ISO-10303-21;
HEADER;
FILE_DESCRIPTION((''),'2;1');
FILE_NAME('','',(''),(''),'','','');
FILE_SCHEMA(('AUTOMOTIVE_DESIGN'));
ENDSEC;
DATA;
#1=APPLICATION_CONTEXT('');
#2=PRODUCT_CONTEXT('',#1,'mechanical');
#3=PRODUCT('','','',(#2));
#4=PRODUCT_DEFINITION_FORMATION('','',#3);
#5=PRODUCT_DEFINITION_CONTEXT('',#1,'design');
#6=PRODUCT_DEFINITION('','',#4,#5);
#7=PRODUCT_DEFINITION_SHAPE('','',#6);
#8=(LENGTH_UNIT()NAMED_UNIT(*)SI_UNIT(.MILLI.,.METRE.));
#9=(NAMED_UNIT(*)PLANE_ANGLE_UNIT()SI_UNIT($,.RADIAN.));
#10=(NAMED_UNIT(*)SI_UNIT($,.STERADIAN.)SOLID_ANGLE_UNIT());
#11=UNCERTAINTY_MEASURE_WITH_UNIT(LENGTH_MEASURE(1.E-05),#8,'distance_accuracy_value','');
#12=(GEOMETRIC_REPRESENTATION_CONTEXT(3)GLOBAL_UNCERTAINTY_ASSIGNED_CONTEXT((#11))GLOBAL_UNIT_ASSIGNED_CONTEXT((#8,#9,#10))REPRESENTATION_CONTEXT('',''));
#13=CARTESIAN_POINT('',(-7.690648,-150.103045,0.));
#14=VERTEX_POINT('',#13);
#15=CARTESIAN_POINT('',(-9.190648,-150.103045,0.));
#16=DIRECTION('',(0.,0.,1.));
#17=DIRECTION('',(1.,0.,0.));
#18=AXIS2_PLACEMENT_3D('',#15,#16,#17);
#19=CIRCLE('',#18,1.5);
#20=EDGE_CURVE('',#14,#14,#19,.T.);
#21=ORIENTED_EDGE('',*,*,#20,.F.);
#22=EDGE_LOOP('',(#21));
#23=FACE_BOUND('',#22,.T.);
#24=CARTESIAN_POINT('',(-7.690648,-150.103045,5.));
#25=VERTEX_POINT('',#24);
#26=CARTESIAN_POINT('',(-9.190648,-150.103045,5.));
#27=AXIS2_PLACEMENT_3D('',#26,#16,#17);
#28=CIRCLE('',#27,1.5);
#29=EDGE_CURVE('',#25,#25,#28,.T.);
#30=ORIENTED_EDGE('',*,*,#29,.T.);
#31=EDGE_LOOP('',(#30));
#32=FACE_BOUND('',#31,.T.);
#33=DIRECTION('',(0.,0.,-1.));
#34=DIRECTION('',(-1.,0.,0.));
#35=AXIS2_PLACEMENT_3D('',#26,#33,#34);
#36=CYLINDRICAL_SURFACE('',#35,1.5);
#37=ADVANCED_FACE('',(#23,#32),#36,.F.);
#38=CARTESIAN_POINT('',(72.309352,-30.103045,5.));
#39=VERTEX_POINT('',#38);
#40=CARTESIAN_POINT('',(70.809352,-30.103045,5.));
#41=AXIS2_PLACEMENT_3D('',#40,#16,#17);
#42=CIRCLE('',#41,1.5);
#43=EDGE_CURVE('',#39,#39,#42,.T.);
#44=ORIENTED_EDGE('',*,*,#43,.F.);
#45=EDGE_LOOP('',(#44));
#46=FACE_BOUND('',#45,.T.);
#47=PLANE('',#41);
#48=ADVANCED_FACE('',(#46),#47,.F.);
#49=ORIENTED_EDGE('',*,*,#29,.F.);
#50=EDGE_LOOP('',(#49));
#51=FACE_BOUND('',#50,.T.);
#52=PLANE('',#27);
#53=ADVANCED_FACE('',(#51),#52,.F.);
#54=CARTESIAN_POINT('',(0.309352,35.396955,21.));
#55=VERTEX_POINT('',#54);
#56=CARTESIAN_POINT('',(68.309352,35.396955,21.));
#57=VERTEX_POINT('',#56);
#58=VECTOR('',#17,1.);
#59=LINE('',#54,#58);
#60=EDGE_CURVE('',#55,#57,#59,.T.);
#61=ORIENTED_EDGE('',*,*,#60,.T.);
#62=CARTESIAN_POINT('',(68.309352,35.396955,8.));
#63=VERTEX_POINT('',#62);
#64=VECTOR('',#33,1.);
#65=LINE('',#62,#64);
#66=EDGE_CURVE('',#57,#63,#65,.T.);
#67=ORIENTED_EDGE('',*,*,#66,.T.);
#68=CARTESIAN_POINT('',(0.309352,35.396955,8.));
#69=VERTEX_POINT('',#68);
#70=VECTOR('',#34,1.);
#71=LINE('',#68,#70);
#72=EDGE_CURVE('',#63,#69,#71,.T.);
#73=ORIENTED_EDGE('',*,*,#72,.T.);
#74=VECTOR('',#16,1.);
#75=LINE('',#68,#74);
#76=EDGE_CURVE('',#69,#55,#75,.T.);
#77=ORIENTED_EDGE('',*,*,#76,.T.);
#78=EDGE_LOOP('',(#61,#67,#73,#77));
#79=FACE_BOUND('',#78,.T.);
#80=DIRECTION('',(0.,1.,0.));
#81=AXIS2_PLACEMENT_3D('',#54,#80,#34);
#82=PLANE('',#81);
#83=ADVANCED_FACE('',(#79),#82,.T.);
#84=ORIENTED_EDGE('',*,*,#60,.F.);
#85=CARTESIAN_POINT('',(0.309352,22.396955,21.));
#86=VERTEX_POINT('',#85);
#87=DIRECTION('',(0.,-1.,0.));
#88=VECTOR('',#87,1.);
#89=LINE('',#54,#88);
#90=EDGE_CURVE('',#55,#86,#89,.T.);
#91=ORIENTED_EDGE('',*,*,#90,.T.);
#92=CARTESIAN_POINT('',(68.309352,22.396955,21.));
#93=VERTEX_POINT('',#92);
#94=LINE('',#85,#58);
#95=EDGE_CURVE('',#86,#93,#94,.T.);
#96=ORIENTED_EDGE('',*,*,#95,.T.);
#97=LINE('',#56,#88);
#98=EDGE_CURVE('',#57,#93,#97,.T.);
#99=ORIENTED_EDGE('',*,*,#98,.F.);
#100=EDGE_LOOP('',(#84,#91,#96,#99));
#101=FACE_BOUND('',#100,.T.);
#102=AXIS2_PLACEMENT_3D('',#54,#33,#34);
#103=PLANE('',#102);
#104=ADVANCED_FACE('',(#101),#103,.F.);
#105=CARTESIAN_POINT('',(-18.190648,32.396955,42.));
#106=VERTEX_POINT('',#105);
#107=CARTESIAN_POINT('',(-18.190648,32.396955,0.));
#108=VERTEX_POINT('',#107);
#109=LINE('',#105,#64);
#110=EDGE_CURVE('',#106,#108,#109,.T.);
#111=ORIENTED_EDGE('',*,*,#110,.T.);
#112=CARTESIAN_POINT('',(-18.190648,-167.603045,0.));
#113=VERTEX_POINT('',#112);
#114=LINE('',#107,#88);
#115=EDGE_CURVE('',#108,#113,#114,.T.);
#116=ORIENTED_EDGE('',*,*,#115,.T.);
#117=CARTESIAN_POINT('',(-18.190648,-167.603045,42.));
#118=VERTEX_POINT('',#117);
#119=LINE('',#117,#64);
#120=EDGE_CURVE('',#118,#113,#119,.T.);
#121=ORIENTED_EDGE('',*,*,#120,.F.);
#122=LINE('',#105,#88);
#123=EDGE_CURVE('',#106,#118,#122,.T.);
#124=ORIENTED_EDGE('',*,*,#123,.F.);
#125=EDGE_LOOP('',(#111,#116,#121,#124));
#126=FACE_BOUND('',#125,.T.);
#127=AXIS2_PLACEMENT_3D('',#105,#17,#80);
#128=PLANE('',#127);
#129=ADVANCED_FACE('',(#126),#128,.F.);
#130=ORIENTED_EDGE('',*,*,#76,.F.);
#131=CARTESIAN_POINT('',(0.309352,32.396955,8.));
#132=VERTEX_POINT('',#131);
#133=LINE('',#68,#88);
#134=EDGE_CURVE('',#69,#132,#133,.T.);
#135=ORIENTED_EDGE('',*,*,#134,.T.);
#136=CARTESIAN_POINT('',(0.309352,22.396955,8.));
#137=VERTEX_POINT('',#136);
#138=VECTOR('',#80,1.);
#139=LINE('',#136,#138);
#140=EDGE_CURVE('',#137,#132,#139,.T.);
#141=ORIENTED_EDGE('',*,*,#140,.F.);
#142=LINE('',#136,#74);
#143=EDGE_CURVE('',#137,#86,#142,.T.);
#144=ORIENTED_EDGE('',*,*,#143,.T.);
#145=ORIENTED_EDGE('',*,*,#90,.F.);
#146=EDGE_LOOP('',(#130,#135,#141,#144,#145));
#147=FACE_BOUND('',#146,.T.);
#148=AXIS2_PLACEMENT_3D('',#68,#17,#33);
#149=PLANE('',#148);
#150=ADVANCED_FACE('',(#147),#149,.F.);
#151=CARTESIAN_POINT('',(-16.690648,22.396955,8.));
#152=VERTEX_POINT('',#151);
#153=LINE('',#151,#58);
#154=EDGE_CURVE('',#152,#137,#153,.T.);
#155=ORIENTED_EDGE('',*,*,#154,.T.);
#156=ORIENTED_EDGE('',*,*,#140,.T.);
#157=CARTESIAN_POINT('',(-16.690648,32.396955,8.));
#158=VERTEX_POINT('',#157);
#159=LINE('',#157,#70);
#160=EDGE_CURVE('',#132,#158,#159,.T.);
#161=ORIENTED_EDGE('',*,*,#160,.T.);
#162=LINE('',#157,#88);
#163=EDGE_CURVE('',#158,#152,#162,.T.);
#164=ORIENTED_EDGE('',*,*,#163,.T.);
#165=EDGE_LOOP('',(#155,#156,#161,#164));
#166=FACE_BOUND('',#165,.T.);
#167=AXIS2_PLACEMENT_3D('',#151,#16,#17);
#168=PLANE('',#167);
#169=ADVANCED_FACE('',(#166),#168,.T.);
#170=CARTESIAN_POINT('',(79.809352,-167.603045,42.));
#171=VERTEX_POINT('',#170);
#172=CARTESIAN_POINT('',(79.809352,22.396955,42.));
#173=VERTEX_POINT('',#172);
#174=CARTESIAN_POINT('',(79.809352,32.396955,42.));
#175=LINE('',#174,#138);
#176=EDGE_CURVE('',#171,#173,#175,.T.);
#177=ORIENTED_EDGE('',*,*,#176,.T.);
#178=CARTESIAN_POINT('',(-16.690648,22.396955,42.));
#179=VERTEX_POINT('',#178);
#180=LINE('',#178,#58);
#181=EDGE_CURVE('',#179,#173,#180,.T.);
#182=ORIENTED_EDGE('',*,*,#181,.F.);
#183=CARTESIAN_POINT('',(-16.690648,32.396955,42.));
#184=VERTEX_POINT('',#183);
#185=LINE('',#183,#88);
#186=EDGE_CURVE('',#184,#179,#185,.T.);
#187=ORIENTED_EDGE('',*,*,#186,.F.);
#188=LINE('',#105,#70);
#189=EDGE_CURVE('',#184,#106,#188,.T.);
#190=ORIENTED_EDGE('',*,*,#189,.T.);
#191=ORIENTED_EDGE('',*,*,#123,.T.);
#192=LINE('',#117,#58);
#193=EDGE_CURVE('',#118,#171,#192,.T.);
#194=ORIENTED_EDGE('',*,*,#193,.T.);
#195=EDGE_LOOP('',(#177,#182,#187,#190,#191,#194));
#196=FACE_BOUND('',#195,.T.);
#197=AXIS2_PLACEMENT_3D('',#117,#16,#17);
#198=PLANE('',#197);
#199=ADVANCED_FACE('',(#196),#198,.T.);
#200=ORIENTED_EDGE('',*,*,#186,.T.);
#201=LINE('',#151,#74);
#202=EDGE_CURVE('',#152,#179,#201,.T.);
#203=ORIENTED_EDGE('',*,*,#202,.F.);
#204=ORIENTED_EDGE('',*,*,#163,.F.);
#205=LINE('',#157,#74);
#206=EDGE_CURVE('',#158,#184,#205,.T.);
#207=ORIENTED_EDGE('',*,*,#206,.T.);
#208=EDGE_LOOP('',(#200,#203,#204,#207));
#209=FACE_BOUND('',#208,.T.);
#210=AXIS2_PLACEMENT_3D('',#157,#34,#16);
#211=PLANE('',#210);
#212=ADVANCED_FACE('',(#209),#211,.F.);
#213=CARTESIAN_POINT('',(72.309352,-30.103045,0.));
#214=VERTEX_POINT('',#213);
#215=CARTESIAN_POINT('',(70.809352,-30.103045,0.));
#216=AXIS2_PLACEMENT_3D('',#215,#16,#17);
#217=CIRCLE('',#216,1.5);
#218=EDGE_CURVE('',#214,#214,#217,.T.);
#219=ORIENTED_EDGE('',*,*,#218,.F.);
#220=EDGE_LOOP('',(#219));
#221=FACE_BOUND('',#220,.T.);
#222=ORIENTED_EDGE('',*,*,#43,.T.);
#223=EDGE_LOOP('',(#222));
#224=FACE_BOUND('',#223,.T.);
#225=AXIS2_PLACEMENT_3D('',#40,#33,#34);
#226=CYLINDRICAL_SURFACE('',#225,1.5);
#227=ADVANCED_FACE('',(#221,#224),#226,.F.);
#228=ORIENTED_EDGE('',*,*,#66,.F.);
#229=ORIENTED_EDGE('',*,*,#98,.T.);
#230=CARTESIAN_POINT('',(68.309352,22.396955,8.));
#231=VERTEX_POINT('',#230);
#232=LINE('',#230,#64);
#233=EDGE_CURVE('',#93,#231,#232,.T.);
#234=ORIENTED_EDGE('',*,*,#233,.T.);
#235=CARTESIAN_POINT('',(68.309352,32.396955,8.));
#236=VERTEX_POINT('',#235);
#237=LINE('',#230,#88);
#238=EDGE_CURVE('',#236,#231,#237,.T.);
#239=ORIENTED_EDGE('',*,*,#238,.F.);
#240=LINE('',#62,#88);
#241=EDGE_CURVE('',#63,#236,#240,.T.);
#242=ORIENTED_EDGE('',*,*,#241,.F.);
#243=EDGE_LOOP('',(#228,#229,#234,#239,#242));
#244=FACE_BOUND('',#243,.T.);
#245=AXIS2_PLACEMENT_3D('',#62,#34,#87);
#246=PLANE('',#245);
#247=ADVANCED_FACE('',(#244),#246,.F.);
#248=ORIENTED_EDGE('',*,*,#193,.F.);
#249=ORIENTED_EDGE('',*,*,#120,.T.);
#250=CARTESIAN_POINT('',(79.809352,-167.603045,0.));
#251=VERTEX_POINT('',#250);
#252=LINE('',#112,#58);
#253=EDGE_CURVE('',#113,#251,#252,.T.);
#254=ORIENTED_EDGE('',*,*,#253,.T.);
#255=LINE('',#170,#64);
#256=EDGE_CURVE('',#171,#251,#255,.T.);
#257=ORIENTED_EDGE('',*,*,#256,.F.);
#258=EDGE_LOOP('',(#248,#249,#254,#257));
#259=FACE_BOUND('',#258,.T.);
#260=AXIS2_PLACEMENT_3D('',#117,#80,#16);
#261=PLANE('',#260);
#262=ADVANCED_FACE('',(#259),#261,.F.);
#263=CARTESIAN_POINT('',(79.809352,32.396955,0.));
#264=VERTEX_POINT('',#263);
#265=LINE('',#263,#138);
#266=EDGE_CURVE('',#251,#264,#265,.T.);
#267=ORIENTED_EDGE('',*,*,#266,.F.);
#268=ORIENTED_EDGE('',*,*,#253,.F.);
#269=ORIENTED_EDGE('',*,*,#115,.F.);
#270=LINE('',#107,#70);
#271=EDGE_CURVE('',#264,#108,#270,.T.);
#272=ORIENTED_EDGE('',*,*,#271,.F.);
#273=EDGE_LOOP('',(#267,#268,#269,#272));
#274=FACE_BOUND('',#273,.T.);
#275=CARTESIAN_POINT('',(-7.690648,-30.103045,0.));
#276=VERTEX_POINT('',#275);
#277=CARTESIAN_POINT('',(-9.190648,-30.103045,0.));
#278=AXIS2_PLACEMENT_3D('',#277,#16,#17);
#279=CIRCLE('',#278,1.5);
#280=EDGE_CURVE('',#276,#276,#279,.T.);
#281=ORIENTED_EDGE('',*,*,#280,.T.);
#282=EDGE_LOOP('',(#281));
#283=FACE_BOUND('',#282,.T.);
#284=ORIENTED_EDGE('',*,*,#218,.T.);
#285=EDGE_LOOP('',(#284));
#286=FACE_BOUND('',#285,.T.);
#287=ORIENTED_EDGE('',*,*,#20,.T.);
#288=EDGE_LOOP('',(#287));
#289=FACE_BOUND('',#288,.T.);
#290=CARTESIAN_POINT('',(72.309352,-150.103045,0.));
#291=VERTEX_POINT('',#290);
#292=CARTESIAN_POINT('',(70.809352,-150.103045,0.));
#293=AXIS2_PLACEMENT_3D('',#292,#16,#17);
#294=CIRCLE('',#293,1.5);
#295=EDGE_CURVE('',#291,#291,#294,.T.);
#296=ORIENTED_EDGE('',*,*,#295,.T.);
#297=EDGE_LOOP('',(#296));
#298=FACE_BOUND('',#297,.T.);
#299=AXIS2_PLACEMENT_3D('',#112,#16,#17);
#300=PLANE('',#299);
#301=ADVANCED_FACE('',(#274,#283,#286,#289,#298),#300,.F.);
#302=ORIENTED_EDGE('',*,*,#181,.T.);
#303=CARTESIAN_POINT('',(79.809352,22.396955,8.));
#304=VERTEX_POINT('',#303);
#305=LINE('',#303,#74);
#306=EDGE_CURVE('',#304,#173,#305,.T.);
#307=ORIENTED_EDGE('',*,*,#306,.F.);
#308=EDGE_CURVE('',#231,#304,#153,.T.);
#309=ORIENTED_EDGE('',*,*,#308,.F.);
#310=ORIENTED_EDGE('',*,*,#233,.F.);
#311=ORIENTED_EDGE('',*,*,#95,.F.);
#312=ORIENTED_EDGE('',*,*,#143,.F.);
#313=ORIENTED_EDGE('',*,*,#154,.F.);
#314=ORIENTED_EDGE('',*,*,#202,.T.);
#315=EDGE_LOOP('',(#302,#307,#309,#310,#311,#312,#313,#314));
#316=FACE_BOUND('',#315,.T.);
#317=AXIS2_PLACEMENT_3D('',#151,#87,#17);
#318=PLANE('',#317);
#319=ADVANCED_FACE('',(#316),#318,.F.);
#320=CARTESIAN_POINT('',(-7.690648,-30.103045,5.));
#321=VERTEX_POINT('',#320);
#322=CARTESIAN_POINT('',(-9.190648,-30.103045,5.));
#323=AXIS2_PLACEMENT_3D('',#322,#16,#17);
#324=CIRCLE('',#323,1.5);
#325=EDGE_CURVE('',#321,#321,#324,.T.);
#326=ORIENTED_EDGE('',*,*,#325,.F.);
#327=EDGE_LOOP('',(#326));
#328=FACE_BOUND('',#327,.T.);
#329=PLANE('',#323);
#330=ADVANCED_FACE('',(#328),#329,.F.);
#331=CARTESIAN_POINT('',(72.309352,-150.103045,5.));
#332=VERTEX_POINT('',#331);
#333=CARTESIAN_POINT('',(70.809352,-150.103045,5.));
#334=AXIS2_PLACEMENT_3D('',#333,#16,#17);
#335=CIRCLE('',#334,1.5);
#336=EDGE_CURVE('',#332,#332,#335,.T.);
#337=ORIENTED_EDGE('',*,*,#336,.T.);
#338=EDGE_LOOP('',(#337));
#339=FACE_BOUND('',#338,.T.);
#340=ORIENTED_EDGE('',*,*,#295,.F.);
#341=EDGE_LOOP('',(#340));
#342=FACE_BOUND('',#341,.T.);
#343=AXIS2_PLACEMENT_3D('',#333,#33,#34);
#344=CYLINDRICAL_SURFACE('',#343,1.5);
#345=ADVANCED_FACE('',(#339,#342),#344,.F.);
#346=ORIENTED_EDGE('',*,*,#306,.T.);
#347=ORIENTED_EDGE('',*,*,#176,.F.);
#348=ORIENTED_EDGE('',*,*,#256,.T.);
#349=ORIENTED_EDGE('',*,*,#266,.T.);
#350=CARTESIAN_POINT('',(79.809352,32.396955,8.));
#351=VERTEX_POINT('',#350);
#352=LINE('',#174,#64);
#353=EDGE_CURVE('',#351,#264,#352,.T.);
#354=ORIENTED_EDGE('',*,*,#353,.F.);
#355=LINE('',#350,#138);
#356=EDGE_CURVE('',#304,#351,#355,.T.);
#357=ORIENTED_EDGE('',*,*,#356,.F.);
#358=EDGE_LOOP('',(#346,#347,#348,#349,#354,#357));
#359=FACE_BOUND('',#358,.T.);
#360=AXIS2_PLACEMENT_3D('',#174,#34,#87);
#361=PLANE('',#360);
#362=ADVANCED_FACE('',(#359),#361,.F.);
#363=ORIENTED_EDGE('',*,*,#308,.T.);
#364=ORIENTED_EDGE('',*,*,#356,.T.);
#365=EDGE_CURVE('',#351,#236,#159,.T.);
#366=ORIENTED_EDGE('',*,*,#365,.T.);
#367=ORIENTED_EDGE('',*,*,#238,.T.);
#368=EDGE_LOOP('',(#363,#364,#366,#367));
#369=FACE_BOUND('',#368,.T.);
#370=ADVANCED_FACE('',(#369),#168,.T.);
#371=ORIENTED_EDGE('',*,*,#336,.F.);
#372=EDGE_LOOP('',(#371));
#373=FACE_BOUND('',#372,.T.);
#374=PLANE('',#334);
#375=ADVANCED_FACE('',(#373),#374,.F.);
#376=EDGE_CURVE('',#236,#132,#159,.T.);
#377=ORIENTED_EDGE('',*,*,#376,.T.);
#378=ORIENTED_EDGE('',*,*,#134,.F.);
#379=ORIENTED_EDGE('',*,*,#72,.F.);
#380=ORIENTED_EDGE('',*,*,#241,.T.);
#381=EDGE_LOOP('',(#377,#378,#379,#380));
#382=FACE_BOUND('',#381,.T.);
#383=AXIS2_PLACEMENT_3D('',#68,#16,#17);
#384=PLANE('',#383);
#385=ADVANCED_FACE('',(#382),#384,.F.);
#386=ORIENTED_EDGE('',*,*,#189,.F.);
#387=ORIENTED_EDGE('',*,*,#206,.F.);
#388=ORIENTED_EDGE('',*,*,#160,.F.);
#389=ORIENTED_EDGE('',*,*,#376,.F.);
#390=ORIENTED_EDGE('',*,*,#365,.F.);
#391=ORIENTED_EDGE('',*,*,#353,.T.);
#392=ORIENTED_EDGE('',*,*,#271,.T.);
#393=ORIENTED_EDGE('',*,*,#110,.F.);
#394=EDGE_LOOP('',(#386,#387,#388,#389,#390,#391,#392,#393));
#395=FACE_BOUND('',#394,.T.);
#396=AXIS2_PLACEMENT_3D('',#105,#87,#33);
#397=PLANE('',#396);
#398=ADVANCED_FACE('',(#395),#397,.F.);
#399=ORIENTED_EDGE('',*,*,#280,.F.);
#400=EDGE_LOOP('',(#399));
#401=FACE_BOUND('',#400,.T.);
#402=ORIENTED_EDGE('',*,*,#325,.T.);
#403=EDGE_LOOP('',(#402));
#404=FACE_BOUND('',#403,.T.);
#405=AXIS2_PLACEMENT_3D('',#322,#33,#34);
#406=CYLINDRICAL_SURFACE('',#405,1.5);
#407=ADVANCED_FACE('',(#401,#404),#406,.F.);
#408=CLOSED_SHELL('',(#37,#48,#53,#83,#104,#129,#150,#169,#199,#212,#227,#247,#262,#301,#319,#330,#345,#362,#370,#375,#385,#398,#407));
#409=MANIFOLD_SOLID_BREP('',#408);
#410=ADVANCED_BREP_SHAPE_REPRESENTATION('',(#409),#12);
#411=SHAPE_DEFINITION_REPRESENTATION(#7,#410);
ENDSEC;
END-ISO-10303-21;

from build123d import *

# Parameters (mm, degrees)
SKETCH_1_W          = 98
SKETCH_1_H          = 200
EXTRUDE_1_DEPTH     = 42
SKETCH_2_R          = 1.5
CUT_EXTRUDE_3_DEPTH = 5
SKETCH_3_W          = 96.5
SKETCH_3_H          = 10
CUT_EXTRUDE_4_DEPTH = 34
SKETCH_4_W          = 68
SKETCH_4_H          = 13
EXTRUDE_2_DEPTH     = 13


with BuildPart() as part:
    # Эскиз1 → Бобышка-Вытянуть1 (new body)
    with BuildSketch(Plane.XY):
        with Locations((30.809352232, -67.603045404)):
            Rectangle(SKETCH_1_W, SKETCH_1_H)
    extrude(amount=EXTRUDE_1_DEPTH)

    # Эскиз2 → Вырез-Вытянуть3 (cut)
    with BuildSketch(Plane.XY):
        with Locations((-9.190647768, -30.103045404)):
            Circle(SKETCH_2_R)
        with Locations((70.809352232, -30.103045404)):
            Circle(SKETCH_2_R)
        with Locations((-9.190647768, -150.103045404)):
            Circle(SKETCH_2_R)
        with Locations((70.809352232, -150.103045404)):
            Circle(SKETCH_2_R)
    extrude(amount=CUT_EXTRUDE_3_DEPTH, mode=Mode.SUBTRACT)

    # Эскиз3 → Вырез-Вытянуть4 (cut)
    with BuildSketch(Plane.XY.offset(42)):
        with Locations((31.559352232, 27.396954596)):
            Rectangle(SKETCH_3_W, SKETCH_3_H)
    extrude(amount=-CUT_EXTRUDE_4_DEPTH, mode=Mode.SUBTRACT)

    # Эскиз4 → Бобышка-Вытянуть2 (add)
    with BuildSketch(Plane(origin=(0, 22.396954596, 0), x_dir=(1, 0, 0), z_dir=(0, 1, 0))):
        with Locations((34.309352232, -14.5)):
            Rectangle(SKETCH_4_W, SKETCH_4_H)
    extrude(amount=EXTRUDE_2_DEPTH)


solid = part.part
